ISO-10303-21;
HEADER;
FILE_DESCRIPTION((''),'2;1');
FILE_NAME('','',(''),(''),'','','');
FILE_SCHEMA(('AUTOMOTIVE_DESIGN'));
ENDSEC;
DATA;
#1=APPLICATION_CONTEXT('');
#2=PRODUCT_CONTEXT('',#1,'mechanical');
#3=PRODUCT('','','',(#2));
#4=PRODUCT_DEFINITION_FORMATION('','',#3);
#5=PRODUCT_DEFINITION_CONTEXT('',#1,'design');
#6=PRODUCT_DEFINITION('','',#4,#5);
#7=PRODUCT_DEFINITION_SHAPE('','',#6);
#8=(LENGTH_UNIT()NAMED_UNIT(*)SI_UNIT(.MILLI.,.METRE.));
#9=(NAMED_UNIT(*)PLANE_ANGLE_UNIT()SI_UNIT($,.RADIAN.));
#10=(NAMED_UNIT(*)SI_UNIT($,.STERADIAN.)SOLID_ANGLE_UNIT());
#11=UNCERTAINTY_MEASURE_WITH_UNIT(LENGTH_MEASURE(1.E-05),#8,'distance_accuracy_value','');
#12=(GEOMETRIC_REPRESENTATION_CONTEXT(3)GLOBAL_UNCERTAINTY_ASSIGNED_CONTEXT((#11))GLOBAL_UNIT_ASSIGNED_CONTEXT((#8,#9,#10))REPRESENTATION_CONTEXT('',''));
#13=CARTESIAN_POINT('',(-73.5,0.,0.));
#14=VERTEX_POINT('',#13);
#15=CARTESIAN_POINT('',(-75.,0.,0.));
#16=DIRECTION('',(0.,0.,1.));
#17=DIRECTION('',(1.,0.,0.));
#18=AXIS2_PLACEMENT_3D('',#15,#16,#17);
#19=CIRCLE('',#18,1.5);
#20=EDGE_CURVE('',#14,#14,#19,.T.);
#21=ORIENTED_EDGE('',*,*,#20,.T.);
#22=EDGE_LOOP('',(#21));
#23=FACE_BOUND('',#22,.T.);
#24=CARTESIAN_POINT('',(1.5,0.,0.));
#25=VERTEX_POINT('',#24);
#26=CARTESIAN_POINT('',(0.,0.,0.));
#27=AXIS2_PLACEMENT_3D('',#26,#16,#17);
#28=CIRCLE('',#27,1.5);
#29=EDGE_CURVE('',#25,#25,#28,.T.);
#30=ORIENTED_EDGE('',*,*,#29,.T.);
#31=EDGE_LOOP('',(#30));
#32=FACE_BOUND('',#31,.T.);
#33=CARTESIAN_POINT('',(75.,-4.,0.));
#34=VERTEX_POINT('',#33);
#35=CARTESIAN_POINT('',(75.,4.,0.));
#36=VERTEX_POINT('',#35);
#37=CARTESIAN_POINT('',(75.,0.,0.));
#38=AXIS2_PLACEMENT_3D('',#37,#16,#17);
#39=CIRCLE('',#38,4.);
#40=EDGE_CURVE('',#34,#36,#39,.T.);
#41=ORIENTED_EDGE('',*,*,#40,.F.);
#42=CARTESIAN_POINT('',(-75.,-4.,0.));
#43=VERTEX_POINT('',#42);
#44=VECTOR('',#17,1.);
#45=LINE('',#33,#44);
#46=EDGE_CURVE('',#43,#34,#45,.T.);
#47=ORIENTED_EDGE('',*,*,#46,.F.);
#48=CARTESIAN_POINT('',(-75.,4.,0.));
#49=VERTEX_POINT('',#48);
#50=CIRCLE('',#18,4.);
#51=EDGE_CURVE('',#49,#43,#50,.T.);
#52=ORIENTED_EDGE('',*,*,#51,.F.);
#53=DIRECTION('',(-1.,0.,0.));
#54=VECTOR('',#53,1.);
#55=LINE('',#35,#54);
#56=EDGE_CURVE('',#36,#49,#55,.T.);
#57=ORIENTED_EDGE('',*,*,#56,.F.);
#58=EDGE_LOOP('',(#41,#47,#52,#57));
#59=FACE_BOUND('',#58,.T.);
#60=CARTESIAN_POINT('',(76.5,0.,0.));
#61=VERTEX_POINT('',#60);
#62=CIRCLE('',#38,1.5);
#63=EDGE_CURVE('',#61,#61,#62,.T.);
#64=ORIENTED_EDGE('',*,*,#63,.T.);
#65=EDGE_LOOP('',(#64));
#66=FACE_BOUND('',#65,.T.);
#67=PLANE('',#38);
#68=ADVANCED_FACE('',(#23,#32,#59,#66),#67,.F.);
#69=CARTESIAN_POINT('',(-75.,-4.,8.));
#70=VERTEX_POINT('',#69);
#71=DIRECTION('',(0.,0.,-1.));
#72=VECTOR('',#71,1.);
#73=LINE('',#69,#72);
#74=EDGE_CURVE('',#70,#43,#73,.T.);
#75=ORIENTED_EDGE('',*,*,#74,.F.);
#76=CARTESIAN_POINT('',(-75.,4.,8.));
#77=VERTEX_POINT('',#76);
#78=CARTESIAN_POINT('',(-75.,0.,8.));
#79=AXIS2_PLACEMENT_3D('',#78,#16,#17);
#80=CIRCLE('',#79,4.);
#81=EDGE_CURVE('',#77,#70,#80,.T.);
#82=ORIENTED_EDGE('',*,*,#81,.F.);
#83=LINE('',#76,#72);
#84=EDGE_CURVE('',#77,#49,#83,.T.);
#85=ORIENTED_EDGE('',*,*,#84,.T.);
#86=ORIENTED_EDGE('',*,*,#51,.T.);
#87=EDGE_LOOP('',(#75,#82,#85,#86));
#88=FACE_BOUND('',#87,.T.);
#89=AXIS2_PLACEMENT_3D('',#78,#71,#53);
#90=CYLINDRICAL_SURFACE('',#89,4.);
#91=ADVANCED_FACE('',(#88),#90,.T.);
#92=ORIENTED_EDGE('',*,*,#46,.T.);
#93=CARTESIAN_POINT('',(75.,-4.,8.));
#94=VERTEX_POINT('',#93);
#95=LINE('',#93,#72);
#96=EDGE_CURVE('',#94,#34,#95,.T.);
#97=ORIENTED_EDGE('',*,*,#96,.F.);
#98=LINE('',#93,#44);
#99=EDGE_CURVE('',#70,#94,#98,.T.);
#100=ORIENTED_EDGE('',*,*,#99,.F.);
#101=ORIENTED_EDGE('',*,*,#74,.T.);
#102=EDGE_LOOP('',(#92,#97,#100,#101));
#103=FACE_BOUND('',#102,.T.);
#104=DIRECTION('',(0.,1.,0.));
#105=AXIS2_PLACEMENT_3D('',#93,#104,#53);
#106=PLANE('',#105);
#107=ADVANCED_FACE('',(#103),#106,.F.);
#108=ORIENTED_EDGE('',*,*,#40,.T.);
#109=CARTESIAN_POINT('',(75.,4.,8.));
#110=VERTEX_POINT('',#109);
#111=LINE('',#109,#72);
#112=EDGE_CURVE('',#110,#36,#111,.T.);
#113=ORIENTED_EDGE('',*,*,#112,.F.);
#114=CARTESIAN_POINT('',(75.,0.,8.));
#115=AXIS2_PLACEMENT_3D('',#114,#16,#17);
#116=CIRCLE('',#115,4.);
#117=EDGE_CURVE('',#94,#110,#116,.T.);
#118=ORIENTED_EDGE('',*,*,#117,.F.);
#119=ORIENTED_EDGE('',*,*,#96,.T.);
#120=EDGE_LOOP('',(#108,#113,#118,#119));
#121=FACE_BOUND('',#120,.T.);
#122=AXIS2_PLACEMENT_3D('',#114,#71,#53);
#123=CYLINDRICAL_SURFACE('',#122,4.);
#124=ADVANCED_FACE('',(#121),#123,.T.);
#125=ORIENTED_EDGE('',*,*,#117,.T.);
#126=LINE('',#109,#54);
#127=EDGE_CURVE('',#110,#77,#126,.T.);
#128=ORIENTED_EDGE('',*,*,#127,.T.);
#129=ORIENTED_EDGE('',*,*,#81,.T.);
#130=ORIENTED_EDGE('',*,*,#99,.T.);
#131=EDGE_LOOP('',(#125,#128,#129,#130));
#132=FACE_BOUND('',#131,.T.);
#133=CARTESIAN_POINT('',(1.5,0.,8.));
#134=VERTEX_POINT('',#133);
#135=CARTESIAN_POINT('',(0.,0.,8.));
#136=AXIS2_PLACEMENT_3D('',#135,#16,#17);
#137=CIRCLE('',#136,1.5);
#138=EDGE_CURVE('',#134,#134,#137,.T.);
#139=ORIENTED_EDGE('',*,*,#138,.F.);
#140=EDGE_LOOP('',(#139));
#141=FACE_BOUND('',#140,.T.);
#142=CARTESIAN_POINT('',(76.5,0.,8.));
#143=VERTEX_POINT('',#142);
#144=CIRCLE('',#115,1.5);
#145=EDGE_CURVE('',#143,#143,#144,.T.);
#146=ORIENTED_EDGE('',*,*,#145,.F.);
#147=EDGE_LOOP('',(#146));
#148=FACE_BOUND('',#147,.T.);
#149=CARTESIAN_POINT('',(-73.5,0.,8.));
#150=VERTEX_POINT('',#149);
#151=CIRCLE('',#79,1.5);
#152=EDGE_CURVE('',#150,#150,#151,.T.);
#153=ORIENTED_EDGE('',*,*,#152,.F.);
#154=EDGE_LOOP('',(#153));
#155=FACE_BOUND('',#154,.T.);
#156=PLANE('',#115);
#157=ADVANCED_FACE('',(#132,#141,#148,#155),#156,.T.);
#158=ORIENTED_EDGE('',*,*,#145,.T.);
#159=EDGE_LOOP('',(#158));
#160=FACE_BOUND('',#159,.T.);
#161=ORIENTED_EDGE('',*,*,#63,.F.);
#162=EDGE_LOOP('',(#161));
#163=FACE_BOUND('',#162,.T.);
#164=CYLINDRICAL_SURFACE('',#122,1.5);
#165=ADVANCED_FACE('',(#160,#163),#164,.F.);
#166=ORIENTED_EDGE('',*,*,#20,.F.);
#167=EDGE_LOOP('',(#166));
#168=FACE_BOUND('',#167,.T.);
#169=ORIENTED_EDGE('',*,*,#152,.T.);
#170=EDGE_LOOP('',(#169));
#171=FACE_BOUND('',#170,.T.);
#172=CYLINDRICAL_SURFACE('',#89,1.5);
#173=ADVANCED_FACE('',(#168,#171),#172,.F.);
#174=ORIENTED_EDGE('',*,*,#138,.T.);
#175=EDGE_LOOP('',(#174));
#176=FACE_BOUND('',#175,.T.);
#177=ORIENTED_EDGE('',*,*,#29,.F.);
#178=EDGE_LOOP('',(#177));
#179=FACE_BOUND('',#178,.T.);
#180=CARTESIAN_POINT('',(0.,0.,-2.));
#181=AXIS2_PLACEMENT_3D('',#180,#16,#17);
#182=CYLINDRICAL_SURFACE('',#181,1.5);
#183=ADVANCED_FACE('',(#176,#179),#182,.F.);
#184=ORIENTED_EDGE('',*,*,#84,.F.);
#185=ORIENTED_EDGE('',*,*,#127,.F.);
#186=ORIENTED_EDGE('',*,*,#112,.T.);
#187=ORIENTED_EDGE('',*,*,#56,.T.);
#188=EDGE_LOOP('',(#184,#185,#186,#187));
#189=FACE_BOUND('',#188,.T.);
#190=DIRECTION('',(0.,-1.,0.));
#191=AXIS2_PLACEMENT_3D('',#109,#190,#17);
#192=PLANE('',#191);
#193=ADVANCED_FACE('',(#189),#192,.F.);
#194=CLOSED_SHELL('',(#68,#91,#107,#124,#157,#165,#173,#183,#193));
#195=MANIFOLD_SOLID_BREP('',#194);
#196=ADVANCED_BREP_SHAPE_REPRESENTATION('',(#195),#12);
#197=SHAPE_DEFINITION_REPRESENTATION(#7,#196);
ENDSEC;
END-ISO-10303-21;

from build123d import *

# Parameters (mm, degrees)
SKETCH1_R           = 1.5
BOSS_EXTRUDE1_DEPTH = 8
SKETCH2_R           = 1.5
CUT_EXTRUDE1_DEPTH  = 10


with BuildPart() as part:
    # Sketch1 → Boss-Extrude1 (new body)
    with BuildSketch(Plane.XY):
        with BuildLine():
            Line((75, -4), (-75, -4))
            ThreePointArc((-75, -4), (-79, 0), (-75, 4))
            Line((-75, 4), (75, 4))
            ThreePointArc((75, 4), (79, 0), (75, -4))
        make_face()
        with Locations((-75, 0)):
            Circle(SKETCH1_R, mode=Mode.SUBTRACT)
        with Locations((75, 0)):
            Circle(SKETCH1_R, mode=Mode.SUBTRACT)
    extrude(amount=BOSS_EXTRUDE1_DEPTH)

    # Sketch2 → Cut-Extrude1 (cut)
    with BuildSketch(Plane.XY.offset(8)):
        Circle(SKETCH2_R)
    extrude(amount=-CUT_EXTRUDE1_DEPTH, mode=Mode.SUBTRACT)


solid = part.part
